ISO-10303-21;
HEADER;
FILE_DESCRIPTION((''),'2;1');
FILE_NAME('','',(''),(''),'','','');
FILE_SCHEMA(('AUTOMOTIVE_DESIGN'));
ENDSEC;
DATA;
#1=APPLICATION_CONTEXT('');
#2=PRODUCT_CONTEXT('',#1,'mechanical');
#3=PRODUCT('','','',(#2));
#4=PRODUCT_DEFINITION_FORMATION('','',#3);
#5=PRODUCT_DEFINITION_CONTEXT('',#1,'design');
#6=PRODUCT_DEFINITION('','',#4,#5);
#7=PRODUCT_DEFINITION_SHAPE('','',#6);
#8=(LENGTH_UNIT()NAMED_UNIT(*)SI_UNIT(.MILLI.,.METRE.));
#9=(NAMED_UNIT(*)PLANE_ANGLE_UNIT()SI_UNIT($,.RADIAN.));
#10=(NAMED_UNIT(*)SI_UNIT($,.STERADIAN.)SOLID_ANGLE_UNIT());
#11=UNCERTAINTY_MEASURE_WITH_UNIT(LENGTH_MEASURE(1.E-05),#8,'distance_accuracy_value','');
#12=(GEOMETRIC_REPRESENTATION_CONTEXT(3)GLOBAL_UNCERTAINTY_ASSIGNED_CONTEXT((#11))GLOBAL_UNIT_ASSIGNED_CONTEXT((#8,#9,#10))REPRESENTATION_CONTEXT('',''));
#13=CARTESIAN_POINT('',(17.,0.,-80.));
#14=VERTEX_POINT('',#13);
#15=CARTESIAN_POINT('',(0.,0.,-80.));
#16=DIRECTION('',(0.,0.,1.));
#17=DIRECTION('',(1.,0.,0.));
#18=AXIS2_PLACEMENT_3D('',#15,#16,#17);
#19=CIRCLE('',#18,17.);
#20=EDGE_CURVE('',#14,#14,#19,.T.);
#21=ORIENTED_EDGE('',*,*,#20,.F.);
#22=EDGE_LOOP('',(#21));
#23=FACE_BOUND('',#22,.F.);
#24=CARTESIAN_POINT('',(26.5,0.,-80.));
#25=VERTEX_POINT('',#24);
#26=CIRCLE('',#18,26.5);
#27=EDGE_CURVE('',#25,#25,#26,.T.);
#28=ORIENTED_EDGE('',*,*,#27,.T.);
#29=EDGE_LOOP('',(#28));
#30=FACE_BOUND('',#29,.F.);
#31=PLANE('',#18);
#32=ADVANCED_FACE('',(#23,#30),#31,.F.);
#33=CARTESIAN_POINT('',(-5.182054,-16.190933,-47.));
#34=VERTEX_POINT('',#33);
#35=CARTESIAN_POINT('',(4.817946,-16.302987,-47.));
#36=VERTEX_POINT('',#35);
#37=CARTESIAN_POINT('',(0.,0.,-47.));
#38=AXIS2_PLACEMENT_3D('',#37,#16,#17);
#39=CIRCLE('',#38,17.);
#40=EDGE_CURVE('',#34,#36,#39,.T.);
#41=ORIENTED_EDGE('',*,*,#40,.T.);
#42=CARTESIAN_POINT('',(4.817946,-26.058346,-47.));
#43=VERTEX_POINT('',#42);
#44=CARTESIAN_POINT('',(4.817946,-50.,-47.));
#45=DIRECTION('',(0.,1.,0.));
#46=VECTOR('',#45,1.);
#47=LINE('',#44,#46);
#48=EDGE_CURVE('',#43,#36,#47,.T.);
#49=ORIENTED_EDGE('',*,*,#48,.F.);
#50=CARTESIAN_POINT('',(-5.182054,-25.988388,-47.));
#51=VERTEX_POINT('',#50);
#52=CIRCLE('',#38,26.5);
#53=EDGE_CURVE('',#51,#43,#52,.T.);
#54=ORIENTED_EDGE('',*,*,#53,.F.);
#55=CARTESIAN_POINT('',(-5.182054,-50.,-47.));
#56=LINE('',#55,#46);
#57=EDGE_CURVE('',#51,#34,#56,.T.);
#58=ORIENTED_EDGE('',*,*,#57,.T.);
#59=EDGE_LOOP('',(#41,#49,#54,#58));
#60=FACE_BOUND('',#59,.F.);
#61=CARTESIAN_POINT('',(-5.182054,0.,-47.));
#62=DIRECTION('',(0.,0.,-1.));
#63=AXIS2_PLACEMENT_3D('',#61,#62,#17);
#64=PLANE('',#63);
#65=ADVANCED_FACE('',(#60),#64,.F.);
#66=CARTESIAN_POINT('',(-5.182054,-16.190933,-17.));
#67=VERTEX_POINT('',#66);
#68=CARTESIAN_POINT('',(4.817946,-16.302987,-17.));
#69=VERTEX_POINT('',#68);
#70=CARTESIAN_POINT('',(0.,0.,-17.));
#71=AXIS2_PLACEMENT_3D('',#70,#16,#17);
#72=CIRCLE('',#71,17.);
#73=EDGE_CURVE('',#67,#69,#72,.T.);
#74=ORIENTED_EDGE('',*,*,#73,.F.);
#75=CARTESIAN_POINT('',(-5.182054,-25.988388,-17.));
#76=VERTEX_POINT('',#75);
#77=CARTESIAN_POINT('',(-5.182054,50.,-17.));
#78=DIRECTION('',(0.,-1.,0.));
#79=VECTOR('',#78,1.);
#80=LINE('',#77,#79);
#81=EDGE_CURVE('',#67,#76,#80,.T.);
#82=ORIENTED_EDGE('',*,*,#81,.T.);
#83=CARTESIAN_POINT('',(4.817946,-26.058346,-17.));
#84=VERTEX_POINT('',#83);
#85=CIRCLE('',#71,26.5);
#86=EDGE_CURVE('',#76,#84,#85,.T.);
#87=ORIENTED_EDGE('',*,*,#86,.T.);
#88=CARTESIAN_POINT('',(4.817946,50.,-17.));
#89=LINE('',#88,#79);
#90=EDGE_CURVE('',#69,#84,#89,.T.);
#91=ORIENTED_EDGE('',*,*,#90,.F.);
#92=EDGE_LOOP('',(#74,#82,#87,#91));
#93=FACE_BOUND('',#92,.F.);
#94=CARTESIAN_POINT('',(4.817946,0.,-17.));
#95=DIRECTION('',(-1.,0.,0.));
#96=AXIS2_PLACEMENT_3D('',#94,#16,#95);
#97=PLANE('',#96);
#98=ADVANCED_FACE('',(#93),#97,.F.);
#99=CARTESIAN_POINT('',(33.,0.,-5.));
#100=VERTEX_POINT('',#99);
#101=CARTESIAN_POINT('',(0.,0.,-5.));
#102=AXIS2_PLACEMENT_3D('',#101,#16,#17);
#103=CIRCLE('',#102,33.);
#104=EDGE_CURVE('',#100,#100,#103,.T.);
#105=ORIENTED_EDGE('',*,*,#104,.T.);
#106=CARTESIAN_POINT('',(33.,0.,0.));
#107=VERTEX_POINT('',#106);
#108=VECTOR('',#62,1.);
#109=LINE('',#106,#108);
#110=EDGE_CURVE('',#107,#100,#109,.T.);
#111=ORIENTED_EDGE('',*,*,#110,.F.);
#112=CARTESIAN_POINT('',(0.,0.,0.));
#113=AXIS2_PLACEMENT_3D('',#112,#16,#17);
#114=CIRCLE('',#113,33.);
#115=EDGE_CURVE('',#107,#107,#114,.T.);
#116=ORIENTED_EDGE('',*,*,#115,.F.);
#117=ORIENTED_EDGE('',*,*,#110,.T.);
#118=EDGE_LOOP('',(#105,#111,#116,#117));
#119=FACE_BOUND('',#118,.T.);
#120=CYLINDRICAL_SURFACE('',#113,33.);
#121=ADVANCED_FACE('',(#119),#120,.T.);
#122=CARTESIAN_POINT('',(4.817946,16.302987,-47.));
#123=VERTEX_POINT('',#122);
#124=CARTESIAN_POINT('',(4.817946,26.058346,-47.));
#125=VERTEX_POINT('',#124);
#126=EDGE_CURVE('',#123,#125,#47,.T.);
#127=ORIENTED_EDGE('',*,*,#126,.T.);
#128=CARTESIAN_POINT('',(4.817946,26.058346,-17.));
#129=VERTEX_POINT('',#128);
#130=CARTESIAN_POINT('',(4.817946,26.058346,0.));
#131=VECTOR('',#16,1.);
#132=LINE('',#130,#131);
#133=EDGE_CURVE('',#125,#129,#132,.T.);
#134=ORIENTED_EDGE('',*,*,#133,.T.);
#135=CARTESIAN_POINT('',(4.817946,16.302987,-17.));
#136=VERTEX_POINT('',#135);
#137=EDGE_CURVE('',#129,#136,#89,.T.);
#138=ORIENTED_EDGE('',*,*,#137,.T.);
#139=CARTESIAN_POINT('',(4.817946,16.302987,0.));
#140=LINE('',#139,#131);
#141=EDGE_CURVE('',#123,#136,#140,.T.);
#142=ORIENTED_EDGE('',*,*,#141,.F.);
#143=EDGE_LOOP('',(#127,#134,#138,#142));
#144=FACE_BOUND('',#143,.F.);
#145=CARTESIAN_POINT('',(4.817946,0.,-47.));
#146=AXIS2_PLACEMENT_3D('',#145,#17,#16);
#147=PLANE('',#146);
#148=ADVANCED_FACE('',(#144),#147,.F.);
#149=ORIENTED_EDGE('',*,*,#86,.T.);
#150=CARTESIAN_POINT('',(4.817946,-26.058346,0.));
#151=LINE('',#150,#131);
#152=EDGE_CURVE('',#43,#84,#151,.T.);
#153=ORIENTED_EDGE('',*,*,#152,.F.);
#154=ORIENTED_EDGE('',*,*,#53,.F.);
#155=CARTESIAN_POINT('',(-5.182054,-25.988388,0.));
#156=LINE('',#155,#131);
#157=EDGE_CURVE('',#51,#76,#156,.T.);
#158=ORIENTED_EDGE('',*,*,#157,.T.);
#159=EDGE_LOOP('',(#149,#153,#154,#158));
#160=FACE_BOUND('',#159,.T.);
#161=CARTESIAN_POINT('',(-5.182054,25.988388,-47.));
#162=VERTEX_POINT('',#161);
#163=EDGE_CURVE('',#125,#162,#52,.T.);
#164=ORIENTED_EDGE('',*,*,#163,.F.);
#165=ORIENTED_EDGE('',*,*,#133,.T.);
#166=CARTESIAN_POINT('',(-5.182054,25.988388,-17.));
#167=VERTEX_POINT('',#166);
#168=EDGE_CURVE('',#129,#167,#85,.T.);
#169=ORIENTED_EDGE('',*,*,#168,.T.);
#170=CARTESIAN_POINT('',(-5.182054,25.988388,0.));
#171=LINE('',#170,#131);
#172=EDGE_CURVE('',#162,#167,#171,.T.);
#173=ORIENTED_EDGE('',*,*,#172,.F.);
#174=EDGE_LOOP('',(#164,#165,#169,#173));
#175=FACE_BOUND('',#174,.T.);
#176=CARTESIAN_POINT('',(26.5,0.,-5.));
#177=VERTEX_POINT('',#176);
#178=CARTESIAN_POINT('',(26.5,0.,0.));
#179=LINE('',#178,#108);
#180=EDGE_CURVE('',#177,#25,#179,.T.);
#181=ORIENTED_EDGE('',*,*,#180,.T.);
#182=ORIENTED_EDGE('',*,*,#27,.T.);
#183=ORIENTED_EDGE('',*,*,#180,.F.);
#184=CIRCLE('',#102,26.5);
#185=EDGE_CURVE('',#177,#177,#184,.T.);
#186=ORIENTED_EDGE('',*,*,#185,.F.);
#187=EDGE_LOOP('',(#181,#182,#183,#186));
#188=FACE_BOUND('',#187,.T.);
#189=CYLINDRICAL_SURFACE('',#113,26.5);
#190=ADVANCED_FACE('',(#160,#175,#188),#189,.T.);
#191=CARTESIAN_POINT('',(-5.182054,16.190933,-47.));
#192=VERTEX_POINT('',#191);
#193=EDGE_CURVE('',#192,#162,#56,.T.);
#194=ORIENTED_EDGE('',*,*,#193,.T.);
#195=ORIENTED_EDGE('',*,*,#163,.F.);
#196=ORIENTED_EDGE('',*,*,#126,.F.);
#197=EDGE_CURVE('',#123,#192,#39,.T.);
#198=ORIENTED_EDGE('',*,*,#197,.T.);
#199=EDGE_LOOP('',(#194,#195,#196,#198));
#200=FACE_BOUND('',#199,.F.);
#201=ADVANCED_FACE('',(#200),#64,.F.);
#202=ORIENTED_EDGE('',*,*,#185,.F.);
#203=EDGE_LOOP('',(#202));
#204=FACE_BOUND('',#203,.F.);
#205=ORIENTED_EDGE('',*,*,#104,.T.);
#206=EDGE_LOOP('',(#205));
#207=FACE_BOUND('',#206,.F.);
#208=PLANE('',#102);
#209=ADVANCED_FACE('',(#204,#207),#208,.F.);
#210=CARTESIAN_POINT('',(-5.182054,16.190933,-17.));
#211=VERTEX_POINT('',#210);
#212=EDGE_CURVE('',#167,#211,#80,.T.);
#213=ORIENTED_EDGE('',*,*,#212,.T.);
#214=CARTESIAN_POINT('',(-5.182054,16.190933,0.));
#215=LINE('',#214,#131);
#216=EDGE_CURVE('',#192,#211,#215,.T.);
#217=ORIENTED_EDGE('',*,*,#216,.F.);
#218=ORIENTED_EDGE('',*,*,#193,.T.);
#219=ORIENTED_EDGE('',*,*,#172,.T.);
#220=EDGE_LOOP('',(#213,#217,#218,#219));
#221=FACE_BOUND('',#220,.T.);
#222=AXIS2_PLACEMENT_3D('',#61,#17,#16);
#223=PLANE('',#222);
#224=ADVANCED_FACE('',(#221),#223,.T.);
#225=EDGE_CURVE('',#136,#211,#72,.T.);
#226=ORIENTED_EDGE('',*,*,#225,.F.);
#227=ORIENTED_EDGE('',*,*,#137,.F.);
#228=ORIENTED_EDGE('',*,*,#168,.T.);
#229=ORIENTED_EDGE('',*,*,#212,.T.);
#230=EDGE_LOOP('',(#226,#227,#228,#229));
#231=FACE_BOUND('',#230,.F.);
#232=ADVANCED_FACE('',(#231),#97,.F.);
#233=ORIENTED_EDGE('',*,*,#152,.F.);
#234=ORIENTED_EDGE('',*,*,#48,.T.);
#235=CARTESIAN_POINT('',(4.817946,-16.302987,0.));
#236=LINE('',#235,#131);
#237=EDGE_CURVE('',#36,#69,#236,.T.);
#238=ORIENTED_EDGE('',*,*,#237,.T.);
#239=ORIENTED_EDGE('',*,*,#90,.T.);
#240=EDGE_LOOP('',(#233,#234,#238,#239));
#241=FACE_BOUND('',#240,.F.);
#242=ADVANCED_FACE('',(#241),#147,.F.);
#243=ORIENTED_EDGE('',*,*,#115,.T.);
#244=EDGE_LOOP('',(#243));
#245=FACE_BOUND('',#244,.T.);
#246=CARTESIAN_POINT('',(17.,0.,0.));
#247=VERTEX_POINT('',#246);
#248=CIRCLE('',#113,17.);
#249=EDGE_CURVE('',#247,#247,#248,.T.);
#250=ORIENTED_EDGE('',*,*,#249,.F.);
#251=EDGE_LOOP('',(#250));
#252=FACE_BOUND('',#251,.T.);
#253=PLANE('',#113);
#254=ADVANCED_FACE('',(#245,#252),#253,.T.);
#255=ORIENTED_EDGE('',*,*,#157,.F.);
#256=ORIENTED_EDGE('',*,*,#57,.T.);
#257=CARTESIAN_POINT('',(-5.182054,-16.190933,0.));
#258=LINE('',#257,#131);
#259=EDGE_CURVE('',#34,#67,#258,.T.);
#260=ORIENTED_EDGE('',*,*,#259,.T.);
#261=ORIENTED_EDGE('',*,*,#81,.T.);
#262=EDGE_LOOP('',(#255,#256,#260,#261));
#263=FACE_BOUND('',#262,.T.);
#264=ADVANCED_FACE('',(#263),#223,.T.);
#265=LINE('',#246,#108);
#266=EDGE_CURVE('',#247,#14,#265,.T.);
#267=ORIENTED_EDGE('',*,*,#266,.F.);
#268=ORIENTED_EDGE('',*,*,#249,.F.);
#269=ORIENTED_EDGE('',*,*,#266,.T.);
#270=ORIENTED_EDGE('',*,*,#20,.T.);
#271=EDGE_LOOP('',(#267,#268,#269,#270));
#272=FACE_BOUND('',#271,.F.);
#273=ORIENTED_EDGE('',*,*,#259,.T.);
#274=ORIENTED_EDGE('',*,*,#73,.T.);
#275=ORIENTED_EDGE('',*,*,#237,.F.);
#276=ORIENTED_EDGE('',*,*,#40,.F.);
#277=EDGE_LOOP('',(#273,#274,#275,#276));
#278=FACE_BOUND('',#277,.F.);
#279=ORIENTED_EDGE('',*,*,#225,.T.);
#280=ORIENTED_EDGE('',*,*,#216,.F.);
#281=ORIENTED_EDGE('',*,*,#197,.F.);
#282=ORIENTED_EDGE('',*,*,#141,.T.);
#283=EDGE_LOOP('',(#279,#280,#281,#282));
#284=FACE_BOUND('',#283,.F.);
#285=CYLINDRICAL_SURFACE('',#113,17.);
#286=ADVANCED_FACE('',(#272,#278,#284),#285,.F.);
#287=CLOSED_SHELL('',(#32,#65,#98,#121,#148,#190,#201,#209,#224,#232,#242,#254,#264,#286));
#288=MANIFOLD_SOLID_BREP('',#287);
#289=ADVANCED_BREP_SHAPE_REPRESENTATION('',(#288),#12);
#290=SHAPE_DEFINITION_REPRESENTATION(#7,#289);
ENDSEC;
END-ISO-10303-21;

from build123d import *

# Parameters (mm, degrees)
F0_R     = 33
F0_R_2   = 26.5
F1_DEPTH = 5
F0_R_3   = 17
F2_DEPTH = 80
F3_W     = 4.817946
F3_H     = 30
F3_W_2   = 5.182054
F4_DEPTH = 50


with BuildPart() as f1:
    # F0 (on Top) → F1 (new body)
    with BuildSketch(Plane.XY):
        Circle(F0_R)
        Circle(F0_R_2, mode=Mode.SUBTRACT)
    extrude(amount=-F1_DEPTH)

    # F0 (on Top) → F2 (join)
    with BuildSketch(Plane.XY):
        Circle(F0_R_2)
        Circle(F0_R_3, mode=Mode.SUBTRACT)
    extrude(amount=-F2_DEPTH)

    # F3 (on Front) → F4 (cut, symmetric)
    with BuildSketch(Plane.XZ):
        with Locations((2.408973, -32)):
            Rectangle(F3_W, F3_H)
        with Locations((-2.591027, -32)):
            Rectangle(F3_W_2, F3_H)
    extrude(amount=F4_DEPTH, both=True, mode=Mode.SUBTRACT)


solid = f1.part
